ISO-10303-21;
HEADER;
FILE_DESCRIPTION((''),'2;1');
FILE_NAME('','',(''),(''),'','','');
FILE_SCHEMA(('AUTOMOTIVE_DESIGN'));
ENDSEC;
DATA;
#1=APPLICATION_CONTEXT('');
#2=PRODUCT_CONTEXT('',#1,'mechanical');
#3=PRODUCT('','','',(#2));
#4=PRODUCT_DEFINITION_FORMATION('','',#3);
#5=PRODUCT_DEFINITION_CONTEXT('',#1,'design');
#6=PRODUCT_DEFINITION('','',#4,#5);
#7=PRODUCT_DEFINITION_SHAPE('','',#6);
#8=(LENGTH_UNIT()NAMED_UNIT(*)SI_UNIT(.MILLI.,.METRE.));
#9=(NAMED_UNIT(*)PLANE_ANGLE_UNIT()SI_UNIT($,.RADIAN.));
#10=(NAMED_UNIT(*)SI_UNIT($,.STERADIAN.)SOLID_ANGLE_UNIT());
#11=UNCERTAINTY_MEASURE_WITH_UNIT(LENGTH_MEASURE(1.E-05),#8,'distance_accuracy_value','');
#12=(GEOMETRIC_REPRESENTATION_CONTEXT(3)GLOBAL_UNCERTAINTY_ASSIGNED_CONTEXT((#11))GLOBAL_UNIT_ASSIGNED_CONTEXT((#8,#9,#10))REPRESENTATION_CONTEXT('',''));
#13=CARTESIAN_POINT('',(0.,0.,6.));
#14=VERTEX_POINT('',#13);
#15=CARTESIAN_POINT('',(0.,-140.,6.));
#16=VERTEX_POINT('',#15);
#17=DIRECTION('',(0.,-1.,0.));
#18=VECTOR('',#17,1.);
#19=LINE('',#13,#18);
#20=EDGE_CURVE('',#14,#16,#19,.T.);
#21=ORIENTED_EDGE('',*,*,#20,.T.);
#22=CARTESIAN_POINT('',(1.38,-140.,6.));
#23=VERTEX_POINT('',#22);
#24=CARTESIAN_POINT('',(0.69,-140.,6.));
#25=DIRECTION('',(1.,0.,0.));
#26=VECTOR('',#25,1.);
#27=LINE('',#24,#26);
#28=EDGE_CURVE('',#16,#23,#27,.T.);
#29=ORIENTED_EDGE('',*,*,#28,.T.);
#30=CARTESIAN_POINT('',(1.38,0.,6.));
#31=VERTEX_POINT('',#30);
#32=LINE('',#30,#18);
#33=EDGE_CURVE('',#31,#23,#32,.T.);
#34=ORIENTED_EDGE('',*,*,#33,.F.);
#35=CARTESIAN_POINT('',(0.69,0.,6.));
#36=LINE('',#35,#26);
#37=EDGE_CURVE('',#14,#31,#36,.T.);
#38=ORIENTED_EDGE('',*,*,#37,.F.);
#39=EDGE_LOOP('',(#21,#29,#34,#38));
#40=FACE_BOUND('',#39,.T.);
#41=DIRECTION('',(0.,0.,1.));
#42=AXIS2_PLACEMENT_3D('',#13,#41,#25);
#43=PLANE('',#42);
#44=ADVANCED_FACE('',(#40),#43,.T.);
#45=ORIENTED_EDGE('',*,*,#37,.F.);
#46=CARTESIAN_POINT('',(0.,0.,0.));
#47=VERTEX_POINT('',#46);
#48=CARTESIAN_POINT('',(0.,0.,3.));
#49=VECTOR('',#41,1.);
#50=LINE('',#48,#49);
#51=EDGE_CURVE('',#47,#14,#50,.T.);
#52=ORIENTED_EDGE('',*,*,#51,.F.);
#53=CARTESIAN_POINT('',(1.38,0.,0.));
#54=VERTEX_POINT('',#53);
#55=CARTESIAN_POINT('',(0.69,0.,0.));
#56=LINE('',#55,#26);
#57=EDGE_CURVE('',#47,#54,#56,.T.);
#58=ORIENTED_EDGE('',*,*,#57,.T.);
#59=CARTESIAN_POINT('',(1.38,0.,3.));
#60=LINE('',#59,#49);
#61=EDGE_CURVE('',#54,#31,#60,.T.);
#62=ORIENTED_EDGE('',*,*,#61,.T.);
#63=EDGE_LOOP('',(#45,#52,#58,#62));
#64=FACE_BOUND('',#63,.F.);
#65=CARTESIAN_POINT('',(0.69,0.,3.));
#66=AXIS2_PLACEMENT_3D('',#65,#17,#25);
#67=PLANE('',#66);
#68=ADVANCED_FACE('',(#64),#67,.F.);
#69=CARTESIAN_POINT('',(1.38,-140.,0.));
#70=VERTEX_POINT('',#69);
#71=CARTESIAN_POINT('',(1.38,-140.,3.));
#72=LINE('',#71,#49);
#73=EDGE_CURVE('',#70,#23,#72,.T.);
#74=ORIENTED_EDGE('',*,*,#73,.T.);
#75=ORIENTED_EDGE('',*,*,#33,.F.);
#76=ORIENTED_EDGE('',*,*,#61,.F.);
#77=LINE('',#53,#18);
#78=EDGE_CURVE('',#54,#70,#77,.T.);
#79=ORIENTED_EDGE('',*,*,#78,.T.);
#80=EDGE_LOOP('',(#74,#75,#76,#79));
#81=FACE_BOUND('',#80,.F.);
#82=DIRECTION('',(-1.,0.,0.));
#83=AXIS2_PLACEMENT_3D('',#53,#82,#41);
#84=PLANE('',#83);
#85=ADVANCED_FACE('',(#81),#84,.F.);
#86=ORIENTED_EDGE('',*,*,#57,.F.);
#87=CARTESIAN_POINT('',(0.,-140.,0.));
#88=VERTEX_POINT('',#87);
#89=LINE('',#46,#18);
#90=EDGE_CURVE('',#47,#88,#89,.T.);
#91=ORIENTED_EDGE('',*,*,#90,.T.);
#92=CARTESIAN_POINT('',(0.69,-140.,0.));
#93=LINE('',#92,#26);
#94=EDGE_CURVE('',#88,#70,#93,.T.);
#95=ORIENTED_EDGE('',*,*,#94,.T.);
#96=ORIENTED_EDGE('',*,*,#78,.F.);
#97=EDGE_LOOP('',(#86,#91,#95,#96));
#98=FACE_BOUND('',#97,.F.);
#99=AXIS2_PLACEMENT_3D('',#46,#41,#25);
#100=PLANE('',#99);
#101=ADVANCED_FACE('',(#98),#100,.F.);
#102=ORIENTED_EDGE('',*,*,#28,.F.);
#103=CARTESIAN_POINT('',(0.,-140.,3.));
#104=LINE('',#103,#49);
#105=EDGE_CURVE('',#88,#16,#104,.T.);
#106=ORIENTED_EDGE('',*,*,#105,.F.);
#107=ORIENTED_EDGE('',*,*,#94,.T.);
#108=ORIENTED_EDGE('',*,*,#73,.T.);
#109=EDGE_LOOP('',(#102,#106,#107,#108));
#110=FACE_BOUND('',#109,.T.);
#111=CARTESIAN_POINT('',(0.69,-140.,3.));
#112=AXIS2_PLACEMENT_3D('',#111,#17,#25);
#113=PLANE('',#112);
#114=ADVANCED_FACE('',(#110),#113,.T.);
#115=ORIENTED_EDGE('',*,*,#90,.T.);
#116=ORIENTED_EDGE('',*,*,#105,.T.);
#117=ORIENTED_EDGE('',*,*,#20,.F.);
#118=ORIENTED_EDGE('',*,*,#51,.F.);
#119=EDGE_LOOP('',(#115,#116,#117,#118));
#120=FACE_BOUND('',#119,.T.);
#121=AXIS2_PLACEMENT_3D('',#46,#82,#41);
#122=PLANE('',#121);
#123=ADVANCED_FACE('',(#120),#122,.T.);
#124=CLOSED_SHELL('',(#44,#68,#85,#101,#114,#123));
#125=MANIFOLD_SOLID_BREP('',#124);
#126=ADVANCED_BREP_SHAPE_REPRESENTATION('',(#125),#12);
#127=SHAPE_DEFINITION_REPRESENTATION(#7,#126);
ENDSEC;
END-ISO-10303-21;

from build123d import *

# Parameters (mm, degrees)
SKETCH005_W  = 1.38
SKETCH005_H  = 6
PAD001_DEPTH = 140


with BuildPart() as part:
    # Sketch005 → Pad001 (new body)
    with BuildSketch(Plane.XZ):
        with Locations((0.69, 3)):
            Rectangle(SKETCH005_W, SKETCH005_H)
    extrude(amount=PAD001_DEPTH)


solid = part.part
